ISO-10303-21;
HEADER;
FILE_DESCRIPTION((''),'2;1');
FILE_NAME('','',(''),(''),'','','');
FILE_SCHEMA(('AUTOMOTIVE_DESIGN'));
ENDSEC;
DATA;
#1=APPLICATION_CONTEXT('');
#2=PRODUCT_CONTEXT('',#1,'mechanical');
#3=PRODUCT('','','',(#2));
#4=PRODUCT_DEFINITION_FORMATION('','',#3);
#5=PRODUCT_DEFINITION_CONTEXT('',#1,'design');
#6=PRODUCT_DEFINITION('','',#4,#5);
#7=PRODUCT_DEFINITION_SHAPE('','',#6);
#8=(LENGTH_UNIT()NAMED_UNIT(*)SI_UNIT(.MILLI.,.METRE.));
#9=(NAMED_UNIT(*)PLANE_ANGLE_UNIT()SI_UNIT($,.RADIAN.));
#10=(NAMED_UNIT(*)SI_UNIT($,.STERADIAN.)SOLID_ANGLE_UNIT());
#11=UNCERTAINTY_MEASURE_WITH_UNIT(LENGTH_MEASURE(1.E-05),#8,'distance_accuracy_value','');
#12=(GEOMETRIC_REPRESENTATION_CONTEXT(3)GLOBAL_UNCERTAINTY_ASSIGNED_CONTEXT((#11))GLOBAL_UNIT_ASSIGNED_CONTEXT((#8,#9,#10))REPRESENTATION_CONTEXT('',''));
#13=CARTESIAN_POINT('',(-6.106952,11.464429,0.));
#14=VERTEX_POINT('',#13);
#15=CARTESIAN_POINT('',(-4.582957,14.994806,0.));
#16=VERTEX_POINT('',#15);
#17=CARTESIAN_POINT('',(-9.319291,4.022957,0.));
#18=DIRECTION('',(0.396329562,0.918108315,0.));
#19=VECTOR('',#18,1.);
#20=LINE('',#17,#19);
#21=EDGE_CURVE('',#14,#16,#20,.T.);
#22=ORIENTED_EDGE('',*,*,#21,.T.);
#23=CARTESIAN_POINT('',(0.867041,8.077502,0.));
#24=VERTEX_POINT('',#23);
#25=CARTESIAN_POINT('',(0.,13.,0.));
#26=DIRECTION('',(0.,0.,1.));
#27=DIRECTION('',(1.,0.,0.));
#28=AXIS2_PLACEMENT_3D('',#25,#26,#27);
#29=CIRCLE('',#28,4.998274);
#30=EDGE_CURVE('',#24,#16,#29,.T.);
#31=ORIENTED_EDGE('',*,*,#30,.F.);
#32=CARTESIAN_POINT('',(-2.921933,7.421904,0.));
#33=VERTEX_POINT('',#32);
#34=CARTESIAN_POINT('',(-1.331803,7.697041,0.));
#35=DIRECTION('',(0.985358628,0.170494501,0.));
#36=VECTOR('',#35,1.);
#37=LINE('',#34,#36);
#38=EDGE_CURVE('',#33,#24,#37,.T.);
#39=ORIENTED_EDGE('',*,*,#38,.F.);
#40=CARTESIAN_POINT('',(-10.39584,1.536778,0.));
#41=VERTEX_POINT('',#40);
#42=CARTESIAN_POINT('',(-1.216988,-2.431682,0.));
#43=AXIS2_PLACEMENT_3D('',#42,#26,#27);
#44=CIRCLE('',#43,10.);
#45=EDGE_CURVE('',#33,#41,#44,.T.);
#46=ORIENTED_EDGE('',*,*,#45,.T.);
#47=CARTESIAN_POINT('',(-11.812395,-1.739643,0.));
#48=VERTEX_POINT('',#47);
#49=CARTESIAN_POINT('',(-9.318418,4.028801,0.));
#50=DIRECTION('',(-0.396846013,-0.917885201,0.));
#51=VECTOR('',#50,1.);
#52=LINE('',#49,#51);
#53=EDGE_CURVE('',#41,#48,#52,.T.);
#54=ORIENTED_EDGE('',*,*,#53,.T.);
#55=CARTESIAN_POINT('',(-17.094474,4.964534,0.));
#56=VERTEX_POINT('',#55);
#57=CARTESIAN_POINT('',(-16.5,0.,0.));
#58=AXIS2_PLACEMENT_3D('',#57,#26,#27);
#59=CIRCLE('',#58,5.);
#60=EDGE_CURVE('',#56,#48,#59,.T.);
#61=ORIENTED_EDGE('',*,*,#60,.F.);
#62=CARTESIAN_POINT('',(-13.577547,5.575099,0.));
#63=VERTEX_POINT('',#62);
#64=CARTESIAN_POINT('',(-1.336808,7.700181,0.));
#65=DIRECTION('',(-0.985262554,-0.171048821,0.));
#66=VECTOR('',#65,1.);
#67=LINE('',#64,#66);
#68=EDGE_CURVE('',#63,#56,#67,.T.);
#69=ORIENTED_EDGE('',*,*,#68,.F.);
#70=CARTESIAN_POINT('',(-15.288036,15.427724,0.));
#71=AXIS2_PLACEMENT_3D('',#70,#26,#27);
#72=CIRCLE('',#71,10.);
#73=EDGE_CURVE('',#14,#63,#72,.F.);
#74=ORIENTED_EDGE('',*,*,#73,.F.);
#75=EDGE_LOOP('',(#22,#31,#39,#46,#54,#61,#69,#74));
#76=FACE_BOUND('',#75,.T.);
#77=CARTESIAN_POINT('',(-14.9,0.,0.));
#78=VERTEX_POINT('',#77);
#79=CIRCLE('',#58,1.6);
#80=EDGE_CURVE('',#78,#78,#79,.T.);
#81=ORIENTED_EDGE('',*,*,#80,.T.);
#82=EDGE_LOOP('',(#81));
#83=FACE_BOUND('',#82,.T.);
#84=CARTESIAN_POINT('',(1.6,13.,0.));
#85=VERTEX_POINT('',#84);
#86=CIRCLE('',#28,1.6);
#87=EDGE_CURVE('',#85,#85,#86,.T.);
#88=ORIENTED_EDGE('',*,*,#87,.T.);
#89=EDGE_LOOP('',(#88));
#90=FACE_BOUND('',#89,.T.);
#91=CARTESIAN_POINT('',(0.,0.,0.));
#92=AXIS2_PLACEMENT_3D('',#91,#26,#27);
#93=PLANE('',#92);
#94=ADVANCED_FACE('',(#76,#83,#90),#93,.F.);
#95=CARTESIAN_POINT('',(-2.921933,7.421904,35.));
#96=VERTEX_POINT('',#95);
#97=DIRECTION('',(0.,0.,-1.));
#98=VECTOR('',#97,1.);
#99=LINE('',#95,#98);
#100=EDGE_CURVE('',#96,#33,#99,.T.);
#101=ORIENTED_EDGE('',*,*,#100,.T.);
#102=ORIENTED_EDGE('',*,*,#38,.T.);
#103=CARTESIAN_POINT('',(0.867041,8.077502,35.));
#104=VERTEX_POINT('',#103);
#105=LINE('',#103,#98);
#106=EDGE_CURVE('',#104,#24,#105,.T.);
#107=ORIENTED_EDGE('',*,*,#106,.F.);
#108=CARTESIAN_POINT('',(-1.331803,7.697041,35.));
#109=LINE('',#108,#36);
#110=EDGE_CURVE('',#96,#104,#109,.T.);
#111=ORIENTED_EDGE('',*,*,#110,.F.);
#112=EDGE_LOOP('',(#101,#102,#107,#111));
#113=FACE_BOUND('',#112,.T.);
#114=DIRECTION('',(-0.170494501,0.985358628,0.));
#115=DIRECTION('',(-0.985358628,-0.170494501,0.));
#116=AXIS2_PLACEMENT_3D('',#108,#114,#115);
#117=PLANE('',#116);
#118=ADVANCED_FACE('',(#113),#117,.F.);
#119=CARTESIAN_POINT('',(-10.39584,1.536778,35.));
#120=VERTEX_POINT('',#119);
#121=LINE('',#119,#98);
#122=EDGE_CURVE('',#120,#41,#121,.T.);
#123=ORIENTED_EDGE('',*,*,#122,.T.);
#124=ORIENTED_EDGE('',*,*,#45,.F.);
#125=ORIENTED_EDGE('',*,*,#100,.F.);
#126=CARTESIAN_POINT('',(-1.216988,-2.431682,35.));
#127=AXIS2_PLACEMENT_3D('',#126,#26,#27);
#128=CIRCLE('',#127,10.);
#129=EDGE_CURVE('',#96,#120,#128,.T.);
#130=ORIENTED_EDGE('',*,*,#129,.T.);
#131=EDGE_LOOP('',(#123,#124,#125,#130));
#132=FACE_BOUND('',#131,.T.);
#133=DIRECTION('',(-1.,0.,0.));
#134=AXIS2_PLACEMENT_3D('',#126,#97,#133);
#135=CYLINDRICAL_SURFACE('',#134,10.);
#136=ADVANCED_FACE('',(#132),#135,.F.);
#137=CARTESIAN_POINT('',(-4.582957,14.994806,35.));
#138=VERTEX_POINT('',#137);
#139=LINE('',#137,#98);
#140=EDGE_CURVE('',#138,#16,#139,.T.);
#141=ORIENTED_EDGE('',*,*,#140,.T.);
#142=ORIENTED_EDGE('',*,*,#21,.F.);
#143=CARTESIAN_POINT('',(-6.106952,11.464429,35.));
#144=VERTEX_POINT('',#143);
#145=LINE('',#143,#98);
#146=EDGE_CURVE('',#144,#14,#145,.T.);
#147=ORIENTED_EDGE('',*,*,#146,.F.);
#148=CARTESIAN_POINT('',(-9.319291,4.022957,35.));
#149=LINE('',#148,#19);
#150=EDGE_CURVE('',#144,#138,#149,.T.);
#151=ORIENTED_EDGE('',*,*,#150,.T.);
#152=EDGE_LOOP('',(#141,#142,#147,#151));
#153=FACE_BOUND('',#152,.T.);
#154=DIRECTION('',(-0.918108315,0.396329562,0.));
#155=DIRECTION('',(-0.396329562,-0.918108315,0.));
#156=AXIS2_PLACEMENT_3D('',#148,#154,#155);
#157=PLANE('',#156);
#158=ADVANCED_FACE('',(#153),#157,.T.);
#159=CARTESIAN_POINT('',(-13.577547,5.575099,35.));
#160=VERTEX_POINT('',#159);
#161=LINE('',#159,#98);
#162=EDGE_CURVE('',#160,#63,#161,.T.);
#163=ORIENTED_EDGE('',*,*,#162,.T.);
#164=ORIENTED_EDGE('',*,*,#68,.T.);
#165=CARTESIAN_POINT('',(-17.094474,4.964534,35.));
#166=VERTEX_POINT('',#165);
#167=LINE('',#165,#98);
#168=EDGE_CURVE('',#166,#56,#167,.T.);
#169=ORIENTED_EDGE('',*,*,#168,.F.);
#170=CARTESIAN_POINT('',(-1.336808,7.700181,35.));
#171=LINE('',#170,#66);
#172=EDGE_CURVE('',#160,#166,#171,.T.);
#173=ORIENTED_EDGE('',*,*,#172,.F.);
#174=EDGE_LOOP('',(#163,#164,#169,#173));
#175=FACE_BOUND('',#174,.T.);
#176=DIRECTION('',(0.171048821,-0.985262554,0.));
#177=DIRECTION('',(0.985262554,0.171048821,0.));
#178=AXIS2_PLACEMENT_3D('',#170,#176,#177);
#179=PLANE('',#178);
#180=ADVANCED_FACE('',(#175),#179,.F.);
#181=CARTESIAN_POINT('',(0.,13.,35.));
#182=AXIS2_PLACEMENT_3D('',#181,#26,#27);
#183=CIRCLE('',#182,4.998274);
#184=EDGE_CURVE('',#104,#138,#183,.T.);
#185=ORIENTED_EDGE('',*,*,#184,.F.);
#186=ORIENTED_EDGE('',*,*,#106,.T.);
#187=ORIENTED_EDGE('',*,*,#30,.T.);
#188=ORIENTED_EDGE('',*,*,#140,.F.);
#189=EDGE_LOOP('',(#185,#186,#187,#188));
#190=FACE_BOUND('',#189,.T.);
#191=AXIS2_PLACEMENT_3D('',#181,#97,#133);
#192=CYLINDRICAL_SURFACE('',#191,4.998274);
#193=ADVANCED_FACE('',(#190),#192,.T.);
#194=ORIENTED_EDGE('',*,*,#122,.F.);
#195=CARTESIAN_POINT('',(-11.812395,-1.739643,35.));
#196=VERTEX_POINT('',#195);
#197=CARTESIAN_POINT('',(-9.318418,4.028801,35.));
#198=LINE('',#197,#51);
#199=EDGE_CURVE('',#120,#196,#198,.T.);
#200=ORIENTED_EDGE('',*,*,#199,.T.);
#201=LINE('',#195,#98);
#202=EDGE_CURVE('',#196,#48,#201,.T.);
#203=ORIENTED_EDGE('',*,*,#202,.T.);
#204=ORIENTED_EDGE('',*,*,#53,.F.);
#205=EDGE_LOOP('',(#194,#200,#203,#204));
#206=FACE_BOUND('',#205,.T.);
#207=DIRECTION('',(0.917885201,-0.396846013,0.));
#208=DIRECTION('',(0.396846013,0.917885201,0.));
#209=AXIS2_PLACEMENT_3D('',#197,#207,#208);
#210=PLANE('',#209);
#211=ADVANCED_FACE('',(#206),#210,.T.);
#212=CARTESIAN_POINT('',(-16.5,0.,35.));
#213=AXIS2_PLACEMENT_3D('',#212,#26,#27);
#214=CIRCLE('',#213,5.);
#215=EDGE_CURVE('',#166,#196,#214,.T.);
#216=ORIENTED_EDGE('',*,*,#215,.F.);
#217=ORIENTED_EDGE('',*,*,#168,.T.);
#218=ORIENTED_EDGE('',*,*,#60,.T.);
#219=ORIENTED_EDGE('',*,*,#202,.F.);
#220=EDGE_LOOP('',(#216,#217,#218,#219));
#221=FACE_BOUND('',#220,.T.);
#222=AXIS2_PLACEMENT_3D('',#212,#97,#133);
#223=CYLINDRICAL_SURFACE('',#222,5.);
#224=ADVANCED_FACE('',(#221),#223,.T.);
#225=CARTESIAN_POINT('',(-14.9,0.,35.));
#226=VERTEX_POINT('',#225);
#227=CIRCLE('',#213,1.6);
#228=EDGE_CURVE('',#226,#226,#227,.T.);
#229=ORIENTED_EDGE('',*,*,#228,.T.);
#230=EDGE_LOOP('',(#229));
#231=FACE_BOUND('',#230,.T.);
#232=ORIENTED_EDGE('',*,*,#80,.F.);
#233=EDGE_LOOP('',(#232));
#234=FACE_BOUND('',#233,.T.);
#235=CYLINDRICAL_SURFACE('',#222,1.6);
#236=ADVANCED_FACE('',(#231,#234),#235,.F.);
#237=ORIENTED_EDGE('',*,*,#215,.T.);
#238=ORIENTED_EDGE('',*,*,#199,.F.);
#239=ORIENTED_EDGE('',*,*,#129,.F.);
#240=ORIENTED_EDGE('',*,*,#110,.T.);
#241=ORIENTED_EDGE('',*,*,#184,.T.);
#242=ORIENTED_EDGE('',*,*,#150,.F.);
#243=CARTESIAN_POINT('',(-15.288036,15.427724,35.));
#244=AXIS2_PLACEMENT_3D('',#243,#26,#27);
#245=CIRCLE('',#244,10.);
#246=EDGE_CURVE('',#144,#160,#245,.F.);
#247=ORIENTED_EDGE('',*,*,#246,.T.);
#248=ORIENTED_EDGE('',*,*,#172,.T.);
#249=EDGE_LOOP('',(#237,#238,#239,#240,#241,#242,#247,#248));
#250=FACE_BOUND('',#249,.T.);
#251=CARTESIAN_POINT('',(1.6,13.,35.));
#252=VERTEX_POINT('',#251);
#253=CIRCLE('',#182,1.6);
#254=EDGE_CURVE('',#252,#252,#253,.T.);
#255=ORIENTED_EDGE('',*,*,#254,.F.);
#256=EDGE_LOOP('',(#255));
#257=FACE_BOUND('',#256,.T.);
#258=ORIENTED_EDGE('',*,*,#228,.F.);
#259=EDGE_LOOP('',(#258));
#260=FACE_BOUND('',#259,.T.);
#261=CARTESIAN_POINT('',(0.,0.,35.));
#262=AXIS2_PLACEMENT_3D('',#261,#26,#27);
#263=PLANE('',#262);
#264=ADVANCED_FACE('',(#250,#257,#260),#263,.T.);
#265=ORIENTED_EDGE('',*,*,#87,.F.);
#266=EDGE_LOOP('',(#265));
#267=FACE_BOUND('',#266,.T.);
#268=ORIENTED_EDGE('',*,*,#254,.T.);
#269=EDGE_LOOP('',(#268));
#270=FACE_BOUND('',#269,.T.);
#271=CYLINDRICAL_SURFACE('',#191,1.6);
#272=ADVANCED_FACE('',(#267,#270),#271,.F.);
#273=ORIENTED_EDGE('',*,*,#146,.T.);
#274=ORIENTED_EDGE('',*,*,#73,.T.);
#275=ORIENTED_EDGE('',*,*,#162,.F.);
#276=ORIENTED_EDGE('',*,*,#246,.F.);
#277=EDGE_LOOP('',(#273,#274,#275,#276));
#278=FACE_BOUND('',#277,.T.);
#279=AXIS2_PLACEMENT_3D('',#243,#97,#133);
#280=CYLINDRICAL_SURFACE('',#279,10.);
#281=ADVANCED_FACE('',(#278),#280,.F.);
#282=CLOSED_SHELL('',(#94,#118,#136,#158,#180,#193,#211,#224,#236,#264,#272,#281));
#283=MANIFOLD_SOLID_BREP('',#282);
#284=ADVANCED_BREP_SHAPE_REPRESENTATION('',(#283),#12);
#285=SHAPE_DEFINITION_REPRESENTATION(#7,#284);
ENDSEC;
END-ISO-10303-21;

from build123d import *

# Parameters (mm, degrees)
SKETCH1_R           = 1.6
BOSS_EXTRUDE1_DEPTH = 35


with BuildPart() as part:
    # Sketch1 → Boss-Extrude1 (new body)
    with BuildSketch(Plane(origin=(0, 0, 0), x_dir=(-1, 0, 0), z_dir=(0, 0, 1))):
        with BuildLine():
            ThreePointArc((6.106952435, -11.464428538), (9.097104038, -7.574548586), (13.577547372, -5.575098618))
            Line((13.577547372, -5.575098618), (17.094474376, -4.96453424))
            ThreePointArc((17.094474376, -4.96453424), (20.427458361, 3.094361133), (11.812394993, 1.739643439))
            Line((11.812394993, 1.739643439), (10.395840134, -1.536777892))
            ThreePointArc((10.395840134, -1.536777892), (7.403500619, -5.424975016), (2.921933136, -7.421904043))
            Line((2.921933136, -7.421904043), (-0.867040687, -8.0775021))
            ThreePointArc((-0.867040687, -8.0775021), (-3.926102771, -16.093293092), (4.58295671, -14.994806488))
            Line((4.58295671, -14.994806488), (6.106952435, -11.464428538))
        make_face()
        with Locations((0, -13)):
            Circle(SKETCH1_R, mode=Mode.SUBTRACT)
        with Locations((16.5, 0)):
            Circle(SKETCH1_R, mode=Mode.SUBTRACT)
    extrude(amount=BOSS_EXTRUDE1_DEPTH)


solid = part.part
